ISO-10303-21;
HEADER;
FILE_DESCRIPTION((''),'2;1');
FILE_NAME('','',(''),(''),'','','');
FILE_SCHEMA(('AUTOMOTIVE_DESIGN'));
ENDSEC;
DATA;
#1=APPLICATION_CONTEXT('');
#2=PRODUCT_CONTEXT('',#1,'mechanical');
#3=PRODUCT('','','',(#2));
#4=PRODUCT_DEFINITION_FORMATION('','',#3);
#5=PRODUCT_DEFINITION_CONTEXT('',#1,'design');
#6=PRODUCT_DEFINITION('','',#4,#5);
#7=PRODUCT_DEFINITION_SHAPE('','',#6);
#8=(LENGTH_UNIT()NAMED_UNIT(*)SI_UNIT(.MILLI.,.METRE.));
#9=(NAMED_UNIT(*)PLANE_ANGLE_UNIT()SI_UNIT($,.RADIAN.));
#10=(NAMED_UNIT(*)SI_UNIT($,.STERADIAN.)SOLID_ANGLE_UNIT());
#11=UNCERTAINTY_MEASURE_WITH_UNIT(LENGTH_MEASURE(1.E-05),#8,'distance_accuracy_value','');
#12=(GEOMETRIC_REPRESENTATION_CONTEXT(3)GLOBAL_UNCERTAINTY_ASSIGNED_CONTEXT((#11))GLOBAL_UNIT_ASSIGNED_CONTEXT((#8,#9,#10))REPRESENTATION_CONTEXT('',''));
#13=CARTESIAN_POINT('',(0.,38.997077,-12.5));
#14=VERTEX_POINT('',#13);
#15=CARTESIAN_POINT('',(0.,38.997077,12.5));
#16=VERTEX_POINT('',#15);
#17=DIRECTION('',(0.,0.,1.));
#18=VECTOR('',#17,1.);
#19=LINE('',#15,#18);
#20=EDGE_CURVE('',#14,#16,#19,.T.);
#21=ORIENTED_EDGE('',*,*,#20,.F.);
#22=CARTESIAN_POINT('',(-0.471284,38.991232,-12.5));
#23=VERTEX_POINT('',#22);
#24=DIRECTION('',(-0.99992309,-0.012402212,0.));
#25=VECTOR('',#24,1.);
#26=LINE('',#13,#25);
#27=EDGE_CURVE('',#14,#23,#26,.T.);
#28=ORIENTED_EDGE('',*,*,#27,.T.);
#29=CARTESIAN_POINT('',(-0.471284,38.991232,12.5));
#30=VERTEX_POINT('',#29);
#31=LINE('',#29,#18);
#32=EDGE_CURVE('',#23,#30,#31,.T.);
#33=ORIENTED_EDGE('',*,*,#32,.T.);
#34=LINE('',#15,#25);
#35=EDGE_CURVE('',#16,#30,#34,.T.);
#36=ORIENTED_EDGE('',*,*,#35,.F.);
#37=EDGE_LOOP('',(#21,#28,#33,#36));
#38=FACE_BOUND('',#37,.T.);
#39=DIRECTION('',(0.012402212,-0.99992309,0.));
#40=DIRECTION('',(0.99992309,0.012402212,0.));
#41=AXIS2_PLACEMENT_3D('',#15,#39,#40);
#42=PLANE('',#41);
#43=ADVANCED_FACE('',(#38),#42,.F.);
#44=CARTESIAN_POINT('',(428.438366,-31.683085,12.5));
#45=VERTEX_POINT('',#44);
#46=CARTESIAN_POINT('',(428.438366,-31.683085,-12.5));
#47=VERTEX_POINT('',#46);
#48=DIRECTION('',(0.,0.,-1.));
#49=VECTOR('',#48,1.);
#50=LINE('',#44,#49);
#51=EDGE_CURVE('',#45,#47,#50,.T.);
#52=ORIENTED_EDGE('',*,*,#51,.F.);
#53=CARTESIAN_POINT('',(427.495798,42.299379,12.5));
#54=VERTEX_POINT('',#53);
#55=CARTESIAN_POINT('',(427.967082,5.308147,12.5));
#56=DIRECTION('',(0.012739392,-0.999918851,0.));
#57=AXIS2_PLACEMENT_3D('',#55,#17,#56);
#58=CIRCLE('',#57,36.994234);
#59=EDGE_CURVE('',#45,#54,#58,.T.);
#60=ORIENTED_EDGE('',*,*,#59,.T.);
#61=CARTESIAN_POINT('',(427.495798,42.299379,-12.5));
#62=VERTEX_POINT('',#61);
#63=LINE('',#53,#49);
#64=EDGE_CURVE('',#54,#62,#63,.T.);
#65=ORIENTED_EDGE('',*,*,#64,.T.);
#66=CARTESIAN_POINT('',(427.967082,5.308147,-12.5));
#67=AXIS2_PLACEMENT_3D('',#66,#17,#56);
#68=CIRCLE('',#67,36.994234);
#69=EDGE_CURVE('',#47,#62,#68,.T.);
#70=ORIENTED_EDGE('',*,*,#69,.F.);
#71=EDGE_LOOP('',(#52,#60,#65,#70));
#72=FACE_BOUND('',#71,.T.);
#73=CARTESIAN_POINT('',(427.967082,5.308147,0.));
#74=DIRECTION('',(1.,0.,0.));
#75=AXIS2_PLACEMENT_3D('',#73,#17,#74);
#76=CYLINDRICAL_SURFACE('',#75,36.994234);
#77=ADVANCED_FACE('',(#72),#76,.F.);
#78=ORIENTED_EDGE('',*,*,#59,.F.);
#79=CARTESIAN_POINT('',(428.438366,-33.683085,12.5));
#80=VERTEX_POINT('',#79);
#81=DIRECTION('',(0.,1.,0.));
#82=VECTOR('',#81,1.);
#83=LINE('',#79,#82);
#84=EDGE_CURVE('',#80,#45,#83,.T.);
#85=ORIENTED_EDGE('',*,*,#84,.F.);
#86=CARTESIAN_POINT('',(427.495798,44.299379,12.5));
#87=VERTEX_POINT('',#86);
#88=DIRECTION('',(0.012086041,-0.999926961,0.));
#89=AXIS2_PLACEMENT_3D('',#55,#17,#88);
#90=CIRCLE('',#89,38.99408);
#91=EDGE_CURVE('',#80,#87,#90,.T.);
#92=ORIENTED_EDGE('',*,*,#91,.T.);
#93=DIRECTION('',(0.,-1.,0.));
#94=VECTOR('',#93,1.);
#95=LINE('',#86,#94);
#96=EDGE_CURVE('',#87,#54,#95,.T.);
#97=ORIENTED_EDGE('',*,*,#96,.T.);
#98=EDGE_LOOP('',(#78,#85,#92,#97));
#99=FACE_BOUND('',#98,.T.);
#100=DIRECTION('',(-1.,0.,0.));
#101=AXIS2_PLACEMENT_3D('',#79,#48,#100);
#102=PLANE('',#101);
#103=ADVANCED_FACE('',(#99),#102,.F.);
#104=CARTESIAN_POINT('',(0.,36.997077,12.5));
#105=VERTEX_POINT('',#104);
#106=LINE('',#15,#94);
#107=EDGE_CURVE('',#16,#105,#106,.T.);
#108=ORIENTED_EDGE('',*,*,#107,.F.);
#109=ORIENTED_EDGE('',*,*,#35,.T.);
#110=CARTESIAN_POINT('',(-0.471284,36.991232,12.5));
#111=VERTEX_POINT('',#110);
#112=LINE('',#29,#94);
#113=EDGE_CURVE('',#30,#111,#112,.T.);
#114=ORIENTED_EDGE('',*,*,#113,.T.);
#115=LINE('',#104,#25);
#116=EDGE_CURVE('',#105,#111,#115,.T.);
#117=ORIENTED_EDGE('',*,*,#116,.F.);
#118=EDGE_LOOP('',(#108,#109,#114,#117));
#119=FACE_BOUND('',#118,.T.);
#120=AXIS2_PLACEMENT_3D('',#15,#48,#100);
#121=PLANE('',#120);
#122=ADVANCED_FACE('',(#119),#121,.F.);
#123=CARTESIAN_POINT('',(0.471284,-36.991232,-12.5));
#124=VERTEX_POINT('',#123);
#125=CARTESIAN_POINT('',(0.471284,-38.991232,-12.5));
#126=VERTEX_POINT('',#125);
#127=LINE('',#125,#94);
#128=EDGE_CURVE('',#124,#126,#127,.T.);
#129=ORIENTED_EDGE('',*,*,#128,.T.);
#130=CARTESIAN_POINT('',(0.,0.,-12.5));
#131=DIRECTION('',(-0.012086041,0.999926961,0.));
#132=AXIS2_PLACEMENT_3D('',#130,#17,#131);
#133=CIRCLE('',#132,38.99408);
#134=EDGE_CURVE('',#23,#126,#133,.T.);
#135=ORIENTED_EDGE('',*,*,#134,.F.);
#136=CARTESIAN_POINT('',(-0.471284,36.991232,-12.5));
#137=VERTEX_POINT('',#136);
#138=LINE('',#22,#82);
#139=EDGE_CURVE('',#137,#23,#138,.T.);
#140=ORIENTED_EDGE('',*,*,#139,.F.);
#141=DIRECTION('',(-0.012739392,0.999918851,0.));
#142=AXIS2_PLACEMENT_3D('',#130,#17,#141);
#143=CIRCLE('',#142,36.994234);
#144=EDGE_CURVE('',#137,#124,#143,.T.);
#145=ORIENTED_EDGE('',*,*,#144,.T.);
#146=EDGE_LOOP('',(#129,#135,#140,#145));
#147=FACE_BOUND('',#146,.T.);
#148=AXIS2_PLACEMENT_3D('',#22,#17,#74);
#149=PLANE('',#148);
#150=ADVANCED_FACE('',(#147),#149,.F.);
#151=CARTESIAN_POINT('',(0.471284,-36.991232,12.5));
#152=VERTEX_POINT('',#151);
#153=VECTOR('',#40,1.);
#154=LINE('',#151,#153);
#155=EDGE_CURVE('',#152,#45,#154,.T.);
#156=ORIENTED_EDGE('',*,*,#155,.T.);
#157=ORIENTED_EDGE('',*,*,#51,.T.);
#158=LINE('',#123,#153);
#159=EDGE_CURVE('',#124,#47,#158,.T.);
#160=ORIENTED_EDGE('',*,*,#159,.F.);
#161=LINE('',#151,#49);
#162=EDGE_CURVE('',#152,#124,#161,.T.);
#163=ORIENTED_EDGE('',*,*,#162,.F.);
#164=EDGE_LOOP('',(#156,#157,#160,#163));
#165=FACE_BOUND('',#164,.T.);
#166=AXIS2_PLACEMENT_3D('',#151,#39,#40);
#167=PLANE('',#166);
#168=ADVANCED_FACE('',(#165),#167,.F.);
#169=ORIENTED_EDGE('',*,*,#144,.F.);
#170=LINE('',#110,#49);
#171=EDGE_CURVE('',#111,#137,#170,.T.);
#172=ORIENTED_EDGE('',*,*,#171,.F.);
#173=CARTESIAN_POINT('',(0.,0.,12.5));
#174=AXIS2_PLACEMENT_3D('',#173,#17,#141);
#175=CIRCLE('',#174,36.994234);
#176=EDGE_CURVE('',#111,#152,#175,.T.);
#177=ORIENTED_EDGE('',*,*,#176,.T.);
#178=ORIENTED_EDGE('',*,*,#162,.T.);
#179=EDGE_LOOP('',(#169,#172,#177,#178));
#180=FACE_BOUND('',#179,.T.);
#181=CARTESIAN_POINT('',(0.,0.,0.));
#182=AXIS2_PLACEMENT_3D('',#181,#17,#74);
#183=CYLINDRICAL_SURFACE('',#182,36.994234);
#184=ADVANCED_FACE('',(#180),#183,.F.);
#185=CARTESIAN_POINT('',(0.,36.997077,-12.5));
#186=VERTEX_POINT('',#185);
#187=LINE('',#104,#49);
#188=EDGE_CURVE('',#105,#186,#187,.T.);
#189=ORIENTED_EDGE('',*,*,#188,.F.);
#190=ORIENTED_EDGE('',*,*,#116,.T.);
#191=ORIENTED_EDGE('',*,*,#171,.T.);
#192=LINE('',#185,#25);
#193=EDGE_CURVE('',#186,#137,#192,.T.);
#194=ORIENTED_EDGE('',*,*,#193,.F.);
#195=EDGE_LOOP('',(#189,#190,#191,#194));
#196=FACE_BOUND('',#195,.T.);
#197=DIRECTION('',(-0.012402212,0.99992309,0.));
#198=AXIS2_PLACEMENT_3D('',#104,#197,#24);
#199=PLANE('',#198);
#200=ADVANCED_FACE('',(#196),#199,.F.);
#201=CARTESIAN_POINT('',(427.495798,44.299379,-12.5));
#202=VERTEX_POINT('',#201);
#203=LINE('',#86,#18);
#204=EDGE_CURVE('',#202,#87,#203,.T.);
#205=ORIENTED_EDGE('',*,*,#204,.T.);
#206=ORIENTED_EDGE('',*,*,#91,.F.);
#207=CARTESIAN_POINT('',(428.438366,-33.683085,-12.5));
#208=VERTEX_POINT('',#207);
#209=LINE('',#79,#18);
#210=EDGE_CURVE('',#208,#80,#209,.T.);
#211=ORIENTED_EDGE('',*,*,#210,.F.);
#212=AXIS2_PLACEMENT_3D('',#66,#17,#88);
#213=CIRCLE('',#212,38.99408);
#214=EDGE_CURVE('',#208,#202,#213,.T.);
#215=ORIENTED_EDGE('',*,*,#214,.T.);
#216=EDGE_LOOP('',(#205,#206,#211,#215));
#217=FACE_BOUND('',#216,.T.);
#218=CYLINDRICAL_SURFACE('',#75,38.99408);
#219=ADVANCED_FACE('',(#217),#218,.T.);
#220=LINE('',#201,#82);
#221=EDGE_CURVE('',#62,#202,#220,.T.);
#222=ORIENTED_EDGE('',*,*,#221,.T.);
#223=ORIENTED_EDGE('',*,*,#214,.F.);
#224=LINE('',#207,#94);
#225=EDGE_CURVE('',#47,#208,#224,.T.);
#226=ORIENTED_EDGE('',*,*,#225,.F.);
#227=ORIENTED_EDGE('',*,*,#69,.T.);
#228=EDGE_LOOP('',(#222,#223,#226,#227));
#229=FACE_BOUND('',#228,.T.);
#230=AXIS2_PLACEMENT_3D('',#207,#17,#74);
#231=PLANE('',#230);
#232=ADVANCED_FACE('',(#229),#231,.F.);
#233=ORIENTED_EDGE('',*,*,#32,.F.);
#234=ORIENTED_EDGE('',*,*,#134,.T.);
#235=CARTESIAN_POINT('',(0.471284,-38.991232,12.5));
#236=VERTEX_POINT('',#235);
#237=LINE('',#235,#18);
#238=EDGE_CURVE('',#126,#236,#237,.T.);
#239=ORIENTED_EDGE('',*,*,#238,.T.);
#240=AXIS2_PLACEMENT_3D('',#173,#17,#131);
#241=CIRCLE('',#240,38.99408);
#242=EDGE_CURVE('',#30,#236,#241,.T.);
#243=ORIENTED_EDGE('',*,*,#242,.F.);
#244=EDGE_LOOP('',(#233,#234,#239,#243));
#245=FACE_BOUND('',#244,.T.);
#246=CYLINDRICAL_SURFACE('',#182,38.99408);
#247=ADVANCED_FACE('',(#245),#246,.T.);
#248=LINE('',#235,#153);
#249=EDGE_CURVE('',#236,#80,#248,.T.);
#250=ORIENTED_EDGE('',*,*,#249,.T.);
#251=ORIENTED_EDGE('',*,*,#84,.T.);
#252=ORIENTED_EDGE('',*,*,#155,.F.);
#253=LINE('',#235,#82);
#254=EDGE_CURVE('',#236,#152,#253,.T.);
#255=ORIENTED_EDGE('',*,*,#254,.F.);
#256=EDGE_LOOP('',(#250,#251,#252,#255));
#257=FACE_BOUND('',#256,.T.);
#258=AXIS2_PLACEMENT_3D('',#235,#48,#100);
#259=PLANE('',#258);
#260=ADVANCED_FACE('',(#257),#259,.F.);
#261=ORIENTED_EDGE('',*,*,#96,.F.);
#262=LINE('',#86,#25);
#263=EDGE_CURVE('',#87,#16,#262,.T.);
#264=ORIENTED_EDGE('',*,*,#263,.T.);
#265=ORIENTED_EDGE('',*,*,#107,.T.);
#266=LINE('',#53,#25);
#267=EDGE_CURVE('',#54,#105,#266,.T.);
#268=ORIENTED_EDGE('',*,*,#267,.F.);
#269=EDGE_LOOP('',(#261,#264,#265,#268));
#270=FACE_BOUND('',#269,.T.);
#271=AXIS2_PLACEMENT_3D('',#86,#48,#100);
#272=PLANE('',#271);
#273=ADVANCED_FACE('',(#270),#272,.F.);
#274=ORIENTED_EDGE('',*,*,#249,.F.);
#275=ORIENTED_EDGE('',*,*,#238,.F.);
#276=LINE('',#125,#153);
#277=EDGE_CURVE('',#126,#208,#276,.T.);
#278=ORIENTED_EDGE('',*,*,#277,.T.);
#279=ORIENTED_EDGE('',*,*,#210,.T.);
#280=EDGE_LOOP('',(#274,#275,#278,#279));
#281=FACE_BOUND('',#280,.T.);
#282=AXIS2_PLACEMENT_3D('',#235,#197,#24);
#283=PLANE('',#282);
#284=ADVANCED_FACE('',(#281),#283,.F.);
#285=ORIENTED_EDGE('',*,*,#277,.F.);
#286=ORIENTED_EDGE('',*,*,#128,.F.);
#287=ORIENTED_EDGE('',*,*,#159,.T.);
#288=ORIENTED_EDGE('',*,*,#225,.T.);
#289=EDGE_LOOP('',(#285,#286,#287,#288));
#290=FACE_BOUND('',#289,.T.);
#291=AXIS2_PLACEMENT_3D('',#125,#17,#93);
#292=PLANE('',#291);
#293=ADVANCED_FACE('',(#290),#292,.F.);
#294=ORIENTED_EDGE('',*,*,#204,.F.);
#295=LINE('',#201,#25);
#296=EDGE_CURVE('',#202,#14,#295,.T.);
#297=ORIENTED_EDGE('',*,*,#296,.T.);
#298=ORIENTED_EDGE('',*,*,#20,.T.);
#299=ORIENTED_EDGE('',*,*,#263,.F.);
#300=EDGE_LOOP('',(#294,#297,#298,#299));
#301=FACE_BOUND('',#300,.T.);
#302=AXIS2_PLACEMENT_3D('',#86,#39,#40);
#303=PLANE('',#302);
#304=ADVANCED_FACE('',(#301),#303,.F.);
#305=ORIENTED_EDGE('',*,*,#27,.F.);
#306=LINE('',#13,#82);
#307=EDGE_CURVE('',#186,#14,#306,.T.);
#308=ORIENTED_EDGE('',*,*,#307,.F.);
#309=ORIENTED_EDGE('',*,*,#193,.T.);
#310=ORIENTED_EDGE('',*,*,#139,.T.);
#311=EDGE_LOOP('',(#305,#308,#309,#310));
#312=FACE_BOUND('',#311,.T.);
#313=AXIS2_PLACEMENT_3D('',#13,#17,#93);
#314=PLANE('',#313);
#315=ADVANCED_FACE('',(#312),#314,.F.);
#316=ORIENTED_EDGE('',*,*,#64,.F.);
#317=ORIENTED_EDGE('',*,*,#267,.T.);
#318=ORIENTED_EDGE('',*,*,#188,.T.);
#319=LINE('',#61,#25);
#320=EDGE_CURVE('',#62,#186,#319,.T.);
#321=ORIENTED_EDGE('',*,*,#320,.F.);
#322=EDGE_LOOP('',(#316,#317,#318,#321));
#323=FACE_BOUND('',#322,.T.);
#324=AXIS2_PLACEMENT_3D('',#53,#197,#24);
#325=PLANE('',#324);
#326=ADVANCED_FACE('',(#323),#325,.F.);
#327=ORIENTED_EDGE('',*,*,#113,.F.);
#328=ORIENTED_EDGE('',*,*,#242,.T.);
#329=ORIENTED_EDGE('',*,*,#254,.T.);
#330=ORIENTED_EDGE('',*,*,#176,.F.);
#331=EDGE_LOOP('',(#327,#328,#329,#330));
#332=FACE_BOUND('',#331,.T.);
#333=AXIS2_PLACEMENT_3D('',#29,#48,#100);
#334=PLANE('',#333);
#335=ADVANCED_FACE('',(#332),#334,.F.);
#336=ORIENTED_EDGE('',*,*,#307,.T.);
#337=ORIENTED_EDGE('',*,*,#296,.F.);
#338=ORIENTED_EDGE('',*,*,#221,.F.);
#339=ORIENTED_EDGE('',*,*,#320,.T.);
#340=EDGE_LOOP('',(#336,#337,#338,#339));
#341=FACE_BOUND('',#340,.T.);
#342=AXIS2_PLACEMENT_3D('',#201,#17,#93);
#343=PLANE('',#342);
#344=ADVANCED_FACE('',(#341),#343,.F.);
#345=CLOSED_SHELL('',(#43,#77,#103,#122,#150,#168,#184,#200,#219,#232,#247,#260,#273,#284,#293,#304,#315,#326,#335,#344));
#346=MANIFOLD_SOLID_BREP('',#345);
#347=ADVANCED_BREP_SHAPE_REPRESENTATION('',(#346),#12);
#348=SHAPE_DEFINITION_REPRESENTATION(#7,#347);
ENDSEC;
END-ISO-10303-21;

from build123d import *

# Parameters (mm, degrees)
SKETCH3_W = 25
SKETCH3_H = 2


with BuildPart() as part:
    # Sweep2: sweep along a path in Sketch2
    with BuildLine(Plane.XY) as sweep2_path:
        Line((-0.471284056, 37.997077405), (427.495798297, 43.305224142))
        ThreePointArc((427.495798297, 43.305224142), (465.964159759, 5.779430793), (428.43836641, -32.688930668))
        Line((428.43836641, -32.688930668), (0.471284056, -37.997077405))
        ThreePointArc((0.471284056, -37.997077405), (-37.997077405, -0.471284056), (-0.471284056, 37.997077405))
    # Sketch3 → Sweep2 (sweep)
    with BuildSketch(Plane(origin=(0, 0, 0), x_dir=(0, 0, -1), z_dir=(1, 0, 0))):
        with Locations((0, 37.997077405)):
            Rectangle(SKETCH3_W, SKETCH3_H)
    sweep(path=sweep2_path.line)


solid = part.part
